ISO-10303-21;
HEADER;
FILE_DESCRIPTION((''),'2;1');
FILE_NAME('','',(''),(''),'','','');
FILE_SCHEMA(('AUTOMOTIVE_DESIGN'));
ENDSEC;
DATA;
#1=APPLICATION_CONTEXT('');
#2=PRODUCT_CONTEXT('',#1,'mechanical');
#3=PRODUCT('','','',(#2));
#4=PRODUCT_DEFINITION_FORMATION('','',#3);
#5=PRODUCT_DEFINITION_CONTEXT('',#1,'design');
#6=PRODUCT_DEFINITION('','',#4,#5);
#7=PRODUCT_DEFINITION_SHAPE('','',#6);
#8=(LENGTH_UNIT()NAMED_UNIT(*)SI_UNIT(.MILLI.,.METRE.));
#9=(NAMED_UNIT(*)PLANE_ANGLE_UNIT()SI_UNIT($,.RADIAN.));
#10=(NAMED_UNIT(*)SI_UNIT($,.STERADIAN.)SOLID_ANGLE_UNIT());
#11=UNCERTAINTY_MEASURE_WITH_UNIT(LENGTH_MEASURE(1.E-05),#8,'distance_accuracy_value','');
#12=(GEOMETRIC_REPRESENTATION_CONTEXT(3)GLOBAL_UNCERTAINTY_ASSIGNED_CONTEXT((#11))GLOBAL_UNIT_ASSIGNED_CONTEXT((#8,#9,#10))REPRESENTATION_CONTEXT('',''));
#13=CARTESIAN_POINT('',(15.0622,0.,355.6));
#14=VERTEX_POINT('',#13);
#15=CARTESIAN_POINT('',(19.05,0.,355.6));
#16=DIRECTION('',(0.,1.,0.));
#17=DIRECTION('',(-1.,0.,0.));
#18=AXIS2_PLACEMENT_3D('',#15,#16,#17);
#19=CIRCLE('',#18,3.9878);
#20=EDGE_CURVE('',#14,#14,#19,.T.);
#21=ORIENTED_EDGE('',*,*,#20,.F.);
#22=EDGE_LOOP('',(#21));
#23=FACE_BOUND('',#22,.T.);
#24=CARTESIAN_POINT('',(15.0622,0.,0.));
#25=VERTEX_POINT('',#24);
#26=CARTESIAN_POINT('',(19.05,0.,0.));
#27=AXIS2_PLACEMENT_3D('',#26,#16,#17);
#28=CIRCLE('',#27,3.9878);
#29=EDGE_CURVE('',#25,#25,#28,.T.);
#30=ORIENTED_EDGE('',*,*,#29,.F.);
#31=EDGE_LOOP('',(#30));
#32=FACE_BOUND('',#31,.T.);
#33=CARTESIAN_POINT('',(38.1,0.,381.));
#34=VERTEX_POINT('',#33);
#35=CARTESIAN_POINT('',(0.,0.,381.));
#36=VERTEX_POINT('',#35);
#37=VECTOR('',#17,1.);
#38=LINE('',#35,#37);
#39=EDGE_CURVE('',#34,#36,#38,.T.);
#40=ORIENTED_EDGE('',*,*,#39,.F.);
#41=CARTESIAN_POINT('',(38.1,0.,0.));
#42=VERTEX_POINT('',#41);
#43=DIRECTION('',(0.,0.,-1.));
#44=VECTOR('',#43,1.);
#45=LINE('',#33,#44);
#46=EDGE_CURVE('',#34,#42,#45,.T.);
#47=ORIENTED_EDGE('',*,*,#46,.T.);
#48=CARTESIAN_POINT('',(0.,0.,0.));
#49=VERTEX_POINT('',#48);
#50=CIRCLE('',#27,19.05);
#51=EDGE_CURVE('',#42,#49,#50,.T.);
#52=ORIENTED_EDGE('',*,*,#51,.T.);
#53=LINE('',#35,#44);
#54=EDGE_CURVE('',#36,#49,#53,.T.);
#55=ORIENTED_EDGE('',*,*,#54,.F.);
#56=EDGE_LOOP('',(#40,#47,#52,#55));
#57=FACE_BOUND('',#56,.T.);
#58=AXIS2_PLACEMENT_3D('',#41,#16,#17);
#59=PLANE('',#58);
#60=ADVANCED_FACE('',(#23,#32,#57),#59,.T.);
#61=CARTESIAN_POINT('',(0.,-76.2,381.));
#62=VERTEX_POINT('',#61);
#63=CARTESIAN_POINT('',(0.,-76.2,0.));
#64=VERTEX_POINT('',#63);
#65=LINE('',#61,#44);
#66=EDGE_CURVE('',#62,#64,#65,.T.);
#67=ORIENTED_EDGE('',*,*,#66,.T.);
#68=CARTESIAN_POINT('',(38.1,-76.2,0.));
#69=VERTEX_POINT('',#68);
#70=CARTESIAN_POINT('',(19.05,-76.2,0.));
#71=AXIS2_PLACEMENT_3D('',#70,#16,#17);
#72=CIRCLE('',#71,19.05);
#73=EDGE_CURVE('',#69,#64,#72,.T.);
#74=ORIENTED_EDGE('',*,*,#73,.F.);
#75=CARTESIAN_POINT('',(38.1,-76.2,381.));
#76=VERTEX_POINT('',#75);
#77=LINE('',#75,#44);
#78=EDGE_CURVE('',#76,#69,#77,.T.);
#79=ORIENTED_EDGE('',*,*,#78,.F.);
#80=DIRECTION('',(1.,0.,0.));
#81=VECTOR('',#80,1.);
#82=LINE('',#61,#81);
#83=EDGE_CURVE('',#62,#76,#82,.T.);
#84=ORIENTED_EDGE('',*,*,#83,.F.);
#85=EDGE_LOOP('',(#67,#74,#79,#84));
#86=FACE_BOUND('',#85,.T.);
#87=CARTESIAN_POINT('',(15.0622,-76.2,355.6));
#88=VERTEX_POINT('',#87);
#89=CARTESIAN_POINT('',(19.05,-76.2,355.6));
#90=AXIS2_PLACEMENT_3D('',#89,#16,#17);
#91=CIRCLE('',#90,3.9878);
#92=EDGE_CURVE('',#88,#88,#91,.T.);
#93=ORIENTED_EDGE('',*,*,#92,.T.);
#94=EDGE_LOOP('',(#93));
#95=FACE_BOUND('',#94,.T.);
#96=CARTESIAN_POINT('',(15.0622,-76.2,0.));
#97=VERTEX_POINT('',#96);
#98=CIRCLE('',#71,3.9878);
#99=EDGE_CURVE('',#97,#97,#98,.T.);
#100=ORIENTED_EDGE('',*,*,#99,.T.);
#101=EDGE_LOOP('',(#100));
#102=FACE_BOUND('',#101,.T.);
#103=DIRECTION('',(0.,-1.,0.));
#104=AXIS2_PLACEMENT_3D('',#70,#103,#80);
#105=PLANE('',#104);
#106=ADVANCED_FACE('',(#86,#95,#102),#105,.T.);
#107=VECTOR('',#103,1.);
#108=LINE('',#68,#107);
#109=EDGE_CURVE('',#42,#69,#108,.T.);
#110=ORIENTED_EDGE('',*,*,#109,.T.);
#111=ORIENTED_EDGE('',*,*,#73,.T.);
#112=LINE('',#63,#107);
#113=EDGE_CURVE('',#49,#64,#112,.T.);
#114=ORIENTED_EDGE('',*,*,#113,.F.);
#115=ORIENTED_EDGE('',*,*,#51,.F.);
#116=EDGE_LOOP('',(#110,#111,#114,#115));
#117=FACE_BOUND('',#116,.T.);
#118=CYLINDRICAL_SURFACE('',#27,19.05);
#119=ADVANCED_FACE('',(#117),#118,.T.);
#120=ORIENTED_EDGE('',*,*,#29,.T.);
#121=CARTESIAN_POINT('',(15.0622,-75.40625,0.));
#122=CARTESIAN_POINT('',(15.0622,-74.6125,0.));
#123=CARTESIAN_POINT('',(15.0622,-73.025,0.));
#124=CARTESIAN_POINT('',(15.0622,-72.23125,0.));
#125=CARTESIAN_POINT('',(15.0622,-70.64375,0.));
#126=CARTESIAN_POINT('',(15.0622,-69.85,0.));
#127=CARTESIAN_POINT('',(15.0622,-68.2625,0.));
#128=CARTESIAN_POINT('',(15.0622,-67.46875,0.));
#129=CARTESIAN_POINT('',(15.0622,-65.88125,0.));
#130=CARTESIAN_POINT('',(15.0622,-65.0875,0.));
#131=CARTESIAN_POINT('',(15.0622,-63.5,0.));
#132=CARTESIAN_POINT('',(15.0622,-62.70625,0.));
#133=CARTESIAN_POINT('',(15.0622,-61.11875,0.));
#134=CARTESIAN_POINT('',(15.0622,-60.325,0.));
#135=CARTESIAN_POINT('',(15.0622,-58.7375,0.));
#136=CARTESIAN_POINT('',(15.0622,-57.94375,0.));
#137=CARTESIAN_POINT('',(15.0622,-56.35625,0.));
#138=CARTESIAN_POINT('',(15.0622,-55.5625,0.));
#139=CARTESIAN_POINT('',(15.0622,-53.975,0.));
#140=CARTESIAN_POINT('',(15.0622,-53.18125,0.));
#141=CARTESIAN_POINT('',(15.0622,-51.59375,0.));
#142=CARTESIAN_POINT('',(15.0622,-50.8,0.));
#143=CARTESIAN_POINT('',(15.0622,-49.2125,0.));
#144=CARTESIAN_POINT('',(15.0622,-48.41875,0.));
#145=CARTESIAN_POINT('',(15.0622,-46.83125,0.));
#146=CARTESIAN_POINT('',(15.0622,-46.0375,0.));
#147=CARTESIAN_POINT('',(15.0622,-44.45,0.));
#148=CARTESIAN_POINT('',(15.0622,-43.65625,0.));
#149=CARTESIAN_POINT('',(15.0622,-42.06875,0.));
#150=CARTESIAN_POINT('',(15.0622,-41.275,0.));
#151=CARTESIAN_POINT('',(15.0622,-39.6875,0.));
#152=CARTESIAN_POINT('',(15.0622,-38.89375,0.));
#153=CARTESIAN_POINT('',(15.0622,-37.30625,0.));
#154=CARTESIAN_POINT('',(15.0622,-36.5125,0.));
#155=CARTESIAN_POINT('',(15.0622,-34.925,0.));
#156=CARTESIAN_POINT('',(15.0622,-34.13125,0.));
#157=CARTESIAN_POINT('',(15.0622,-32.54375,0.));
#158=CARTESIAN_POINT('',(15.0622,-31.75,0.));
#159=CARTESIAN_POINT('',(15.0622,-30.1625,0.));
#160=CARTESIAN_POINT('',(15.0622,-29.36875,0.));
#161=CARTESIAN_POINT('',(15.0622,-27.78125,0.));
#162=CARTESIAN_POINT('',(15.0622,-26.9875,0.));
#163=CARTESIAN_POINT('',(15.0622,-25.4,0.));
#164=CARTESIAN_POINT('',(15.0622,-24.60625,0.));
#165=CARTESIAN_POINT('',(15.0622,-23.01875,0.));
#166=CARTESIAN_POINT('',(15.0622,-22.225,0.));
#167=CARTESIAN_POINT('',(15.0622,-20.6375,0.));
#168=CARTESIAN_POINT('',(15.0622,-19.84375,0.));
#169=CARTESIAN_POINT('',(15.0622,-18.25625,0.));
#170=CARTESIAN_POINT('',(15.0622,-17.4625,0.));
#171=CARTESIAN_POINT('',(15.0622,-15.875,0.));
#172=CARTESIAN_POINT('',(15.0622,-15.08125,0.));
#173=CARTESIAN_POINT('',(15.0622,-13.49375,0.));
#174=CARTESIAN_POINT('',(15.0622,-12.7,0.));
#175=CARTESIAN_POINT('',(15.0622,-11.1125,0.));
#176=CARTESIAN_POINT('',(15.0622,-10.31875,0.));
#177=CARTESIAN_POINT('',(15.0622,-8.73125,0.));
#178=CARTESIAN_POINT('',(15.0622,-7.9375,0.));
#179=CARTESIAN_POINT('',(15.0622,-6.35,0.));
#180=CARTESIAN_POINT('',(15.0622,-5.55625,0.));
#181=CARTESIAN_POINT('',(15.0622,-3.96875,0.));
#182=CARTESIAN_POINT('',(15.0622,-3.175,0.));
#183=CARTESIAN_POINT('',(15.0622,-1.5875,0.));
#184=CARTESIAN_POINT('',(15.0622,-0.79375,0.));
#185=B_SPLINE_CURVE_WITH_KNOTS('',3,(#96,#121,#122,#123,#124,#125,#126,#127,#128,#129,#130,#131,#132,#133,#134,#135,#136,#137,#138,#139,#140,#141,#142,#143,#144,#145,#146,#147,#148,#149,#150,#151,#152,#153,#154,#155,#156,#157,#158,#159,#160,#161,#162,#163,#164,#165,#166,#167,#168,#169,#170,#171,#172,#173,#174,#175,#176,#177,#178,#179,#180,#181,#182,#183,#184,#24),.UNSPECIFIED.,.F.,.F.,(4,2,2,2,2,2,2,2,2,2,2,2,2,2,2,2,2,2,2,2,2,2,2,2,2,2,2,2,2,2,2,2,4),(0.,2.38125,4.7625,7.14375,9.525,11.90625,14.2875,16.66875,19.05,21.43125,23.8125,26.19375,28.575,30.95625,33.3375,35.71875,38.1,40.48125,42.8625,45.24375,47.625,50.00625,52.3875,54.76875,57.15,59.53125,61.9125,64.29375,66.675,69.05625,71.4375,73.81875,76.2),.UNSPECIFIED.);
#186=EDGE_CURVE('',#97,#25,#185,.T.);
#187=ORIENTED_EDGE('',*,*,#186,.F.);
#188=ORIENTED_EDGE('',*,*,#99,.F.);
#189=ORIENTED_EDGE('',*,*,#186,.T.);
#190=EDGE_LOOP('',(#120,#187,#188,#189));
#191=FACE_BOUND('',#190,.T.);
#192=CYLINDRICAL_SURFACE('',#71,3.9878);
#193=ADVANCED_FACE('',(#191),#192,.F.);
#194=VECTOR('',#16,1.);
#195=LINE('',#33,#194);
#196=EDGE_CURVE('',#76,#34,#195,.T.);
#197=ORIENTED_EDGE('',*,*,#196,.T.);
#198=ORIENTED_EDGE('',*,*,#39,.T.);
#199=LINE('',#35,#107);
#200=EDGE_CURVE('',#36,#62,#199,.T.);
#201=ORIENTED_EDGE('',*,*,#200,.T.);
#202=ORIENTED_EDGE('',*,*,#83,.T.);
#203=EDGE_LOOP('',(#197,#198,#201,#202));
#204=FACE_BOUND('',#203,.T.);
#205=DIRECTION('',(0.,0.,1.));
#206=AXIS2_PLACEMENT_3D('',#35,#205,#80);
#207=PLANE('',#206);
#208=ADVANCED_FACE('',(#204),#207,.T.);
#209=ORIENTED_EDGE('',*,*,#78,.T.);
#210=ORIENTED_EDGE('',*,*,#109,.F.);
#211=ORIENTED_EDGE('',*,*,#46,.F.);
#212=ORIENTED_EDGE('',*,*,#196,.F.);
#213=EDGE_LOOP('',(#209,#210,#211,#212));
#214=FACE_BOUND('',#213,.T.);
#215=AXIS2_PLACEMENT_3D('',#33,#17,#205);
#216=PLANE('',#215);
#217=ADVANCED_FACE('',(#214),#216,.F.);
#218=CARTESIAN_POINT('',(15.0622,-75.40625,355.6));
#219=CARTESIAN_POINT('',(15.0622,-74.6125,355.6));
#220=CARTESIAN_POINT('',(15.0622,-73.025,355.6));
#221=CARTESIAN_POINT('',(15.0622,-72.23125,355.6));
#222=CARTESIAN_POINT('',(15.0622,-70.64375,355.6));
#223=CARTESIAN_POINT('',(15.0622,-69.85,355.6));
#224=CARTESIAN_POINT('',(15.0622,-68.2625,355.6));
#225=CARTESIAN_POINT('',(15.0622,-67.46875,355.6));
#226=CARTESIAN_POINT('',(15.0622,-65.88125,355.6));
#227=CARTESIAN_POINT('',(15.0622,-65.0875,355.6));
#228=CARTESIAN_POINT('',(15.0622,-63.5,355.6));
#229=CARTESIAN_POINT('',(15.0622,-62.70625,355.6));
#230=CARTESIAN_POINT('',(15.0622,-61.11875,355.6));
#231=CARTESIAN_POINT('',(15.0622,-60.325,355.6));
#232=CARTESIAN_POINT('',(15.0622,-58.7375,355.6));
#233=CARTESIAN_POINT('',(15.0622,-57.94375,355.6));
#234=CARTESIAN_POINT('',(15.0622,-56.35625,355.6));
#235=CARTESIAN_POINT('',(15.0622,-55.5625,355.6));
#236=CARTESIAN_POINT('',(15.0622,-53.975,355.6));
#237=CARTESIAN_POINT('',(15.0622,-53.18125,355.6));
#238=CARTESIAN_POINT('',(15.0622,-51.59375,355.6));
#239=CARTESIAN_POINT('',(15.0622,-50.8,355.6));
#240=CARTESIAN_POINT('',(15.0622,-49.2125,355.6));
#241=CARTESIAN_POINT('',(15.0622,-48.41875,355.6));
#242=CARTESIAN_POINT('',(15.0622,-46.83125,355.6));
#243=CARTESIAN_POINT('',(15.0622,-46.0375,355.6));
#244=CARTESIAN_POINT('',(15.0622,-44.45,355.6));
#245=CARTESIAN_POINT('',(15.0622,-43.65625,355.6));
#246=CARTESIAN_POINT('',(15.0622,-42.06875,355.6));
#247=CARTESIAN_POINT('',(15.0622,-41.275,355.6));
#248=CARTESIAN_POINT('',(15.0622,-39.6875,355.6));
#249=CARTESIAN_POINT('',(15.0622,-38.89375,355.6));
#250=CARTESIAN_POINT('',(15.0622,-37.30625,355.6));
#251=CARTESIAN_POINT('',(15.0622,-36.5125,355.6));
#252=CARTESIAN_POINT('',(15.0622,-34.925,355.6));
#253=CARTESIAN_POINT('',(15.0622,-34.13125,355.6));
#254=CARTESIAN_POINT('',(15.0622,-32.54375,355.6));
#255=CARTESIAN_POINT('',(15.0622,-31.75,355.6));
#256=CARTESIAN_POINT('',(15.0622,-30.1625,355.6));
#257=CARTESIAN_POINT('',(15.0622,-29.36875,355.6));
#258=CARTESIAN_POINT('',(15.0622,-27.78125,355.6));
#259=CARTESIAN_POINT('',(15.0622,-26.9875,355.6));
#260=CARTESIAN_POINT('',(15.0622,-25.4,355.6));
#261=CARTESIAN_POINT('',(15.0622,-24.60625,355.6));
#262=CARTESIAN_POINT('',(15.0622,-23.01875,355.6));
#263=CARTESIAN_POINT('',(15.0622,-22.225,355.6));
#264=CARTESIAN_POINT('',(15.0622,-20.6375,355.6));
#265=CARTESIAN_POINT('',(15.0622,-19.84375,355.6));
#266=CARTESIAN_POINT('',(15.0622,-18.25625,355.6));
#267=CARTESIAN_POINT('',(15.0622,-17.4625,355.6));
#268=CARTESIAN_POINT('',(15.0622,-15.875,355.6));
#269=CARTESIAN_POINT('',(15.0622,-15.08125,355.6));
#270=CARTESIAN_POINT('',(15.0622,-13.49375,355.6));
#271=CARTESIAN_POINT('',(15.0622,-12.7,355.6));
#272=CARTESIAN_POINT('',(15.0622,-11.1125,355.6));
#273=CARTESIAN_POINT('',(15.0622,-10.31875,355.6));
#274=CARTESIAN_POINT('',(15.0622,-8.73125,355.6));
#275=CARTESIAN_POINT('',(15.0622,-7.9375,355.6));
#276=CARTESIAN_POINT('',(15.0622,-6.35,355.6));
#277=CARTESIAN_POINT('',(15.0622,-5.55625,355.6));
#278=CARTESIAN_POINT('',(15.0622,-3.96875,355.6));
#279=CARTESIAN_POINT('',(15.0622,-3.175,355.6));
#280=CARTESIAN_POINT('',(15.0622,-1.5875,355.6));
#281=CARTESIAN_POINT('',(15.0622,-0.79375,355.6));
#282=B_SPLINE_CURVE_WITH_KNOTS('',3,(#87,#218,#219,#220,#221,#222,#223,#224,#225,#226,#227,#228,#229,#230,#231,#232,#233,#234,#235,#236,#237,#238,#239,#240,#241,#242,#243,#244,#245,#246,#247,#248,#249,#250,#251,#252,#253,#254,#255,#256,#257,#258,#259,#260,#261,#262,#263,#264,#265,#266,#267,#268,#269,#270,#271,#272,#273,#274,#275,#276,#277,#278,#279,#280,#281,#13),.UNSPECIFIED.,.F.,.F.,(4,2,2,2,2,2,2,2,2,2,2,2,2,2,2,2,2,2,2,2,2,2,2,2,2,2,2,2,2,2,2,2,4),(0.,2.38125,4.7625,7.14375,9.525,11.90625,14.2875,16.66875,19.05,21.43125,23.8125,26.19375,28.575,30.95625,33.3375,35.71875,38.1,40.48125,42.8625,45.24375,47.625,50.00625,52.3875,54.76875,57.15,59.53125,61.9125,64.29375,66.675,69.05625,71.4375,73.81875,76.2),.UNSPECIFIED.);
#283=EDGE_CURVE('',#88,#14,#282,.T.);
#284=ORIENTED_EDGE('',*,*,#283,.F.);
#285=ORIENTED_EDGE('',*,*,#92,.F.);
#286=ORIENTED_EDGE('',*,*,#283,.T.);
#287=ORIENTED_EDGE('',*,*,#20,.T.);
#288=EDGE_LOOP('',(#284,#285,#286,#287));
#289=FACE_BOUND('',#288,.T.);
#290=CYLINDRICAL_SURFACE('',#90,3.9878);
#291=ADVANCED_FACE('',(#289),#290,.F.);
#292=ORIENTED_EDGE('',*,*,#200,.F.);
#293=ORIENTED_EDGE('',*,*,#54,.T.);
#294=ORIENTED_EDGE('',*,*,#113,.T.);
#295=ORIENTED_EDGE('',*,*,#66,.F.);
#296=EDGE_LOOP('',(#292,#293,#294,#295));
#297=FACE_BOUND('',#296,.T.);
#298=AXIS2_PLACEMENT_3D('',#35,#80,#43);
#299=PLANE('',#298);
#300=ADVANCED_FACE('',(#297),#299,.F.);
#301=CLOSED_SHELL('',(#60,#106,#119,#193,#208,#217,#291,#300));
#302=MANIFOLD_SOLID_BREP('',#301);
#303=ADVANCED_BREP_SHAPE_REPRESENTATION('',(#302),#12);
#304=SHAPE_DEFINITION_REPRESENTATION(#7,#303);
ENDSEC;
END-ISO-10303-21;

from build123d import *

# Parameters (mm, degrees)
SKETCH1_W           = 19.05
SKETCH1_H           = 76.2
REVOLVE1_ANGLE      = 180
SKETCH2_W           = 38.1
SKETCH2_H           = 76.2
BOSS_EXTRUDE1_DEPTH = 381
SKETCH3_R           = 3.9878
CUT_EXTRUDE1_DEPTH  = 391.408824183
SKETCH4_R           = 3.9878
CUT_EXTRUDE2_DEPTH  = 391.408824183


with BuildPart() as part:
    # Sketch1 → Revolve1 (revolve)
    with BuildSketch(Plane.XY):
        with Locations((9.525, -38.1)):
            Rectangle(SKETCH1_W, SKETCH1_H)
    revolve(axis=Axis((19.05, 0, 0), (0, -1, 0)), revolution_arc=REVOLVE1_ANGLE)

    # Sketch2 → Boss-Extrude1 (add)
    with BuildSketch(Plane.XY):
        with Locations((19.05, -38.1)):
            Rectangle(SKETCH2_W, SKETCH2_H)
    extrude(amount=BOSS_EXTRUDE1_DEPTH)

    # Sketch3 → Cut-Extrude1 (cut, through all)
    with BuildSketch(Plane(origin=(0, 0, 0), x_dir=(1, 0, 0), z_dir=(0, 1, 0))):
        with Locations(Location((19.05, 0, 0), (0, 0, 180))):
            Circle(SKETCH3_R)
    extrude(amount=-CUT_EXTRUDE1_DEPTH, mode=Mode.SUBTRACT)

    # Sketch4 → Cut-Extrude2 (cut, through all)
    with BuildSketch(Plane(origin=(0, 0, 0), x_dir=(1, 0, 0), z_dir=(0, 1, 0))):
        with Locations(Location((19.05, -355.6, 0), (0, 0, 180))):
            Circle(SKETCH4_R)
    extrude(amount=-CUT_EXTRUDE2_DEPTH, mode=Mode.SUBTRACT)


solid = part.part
